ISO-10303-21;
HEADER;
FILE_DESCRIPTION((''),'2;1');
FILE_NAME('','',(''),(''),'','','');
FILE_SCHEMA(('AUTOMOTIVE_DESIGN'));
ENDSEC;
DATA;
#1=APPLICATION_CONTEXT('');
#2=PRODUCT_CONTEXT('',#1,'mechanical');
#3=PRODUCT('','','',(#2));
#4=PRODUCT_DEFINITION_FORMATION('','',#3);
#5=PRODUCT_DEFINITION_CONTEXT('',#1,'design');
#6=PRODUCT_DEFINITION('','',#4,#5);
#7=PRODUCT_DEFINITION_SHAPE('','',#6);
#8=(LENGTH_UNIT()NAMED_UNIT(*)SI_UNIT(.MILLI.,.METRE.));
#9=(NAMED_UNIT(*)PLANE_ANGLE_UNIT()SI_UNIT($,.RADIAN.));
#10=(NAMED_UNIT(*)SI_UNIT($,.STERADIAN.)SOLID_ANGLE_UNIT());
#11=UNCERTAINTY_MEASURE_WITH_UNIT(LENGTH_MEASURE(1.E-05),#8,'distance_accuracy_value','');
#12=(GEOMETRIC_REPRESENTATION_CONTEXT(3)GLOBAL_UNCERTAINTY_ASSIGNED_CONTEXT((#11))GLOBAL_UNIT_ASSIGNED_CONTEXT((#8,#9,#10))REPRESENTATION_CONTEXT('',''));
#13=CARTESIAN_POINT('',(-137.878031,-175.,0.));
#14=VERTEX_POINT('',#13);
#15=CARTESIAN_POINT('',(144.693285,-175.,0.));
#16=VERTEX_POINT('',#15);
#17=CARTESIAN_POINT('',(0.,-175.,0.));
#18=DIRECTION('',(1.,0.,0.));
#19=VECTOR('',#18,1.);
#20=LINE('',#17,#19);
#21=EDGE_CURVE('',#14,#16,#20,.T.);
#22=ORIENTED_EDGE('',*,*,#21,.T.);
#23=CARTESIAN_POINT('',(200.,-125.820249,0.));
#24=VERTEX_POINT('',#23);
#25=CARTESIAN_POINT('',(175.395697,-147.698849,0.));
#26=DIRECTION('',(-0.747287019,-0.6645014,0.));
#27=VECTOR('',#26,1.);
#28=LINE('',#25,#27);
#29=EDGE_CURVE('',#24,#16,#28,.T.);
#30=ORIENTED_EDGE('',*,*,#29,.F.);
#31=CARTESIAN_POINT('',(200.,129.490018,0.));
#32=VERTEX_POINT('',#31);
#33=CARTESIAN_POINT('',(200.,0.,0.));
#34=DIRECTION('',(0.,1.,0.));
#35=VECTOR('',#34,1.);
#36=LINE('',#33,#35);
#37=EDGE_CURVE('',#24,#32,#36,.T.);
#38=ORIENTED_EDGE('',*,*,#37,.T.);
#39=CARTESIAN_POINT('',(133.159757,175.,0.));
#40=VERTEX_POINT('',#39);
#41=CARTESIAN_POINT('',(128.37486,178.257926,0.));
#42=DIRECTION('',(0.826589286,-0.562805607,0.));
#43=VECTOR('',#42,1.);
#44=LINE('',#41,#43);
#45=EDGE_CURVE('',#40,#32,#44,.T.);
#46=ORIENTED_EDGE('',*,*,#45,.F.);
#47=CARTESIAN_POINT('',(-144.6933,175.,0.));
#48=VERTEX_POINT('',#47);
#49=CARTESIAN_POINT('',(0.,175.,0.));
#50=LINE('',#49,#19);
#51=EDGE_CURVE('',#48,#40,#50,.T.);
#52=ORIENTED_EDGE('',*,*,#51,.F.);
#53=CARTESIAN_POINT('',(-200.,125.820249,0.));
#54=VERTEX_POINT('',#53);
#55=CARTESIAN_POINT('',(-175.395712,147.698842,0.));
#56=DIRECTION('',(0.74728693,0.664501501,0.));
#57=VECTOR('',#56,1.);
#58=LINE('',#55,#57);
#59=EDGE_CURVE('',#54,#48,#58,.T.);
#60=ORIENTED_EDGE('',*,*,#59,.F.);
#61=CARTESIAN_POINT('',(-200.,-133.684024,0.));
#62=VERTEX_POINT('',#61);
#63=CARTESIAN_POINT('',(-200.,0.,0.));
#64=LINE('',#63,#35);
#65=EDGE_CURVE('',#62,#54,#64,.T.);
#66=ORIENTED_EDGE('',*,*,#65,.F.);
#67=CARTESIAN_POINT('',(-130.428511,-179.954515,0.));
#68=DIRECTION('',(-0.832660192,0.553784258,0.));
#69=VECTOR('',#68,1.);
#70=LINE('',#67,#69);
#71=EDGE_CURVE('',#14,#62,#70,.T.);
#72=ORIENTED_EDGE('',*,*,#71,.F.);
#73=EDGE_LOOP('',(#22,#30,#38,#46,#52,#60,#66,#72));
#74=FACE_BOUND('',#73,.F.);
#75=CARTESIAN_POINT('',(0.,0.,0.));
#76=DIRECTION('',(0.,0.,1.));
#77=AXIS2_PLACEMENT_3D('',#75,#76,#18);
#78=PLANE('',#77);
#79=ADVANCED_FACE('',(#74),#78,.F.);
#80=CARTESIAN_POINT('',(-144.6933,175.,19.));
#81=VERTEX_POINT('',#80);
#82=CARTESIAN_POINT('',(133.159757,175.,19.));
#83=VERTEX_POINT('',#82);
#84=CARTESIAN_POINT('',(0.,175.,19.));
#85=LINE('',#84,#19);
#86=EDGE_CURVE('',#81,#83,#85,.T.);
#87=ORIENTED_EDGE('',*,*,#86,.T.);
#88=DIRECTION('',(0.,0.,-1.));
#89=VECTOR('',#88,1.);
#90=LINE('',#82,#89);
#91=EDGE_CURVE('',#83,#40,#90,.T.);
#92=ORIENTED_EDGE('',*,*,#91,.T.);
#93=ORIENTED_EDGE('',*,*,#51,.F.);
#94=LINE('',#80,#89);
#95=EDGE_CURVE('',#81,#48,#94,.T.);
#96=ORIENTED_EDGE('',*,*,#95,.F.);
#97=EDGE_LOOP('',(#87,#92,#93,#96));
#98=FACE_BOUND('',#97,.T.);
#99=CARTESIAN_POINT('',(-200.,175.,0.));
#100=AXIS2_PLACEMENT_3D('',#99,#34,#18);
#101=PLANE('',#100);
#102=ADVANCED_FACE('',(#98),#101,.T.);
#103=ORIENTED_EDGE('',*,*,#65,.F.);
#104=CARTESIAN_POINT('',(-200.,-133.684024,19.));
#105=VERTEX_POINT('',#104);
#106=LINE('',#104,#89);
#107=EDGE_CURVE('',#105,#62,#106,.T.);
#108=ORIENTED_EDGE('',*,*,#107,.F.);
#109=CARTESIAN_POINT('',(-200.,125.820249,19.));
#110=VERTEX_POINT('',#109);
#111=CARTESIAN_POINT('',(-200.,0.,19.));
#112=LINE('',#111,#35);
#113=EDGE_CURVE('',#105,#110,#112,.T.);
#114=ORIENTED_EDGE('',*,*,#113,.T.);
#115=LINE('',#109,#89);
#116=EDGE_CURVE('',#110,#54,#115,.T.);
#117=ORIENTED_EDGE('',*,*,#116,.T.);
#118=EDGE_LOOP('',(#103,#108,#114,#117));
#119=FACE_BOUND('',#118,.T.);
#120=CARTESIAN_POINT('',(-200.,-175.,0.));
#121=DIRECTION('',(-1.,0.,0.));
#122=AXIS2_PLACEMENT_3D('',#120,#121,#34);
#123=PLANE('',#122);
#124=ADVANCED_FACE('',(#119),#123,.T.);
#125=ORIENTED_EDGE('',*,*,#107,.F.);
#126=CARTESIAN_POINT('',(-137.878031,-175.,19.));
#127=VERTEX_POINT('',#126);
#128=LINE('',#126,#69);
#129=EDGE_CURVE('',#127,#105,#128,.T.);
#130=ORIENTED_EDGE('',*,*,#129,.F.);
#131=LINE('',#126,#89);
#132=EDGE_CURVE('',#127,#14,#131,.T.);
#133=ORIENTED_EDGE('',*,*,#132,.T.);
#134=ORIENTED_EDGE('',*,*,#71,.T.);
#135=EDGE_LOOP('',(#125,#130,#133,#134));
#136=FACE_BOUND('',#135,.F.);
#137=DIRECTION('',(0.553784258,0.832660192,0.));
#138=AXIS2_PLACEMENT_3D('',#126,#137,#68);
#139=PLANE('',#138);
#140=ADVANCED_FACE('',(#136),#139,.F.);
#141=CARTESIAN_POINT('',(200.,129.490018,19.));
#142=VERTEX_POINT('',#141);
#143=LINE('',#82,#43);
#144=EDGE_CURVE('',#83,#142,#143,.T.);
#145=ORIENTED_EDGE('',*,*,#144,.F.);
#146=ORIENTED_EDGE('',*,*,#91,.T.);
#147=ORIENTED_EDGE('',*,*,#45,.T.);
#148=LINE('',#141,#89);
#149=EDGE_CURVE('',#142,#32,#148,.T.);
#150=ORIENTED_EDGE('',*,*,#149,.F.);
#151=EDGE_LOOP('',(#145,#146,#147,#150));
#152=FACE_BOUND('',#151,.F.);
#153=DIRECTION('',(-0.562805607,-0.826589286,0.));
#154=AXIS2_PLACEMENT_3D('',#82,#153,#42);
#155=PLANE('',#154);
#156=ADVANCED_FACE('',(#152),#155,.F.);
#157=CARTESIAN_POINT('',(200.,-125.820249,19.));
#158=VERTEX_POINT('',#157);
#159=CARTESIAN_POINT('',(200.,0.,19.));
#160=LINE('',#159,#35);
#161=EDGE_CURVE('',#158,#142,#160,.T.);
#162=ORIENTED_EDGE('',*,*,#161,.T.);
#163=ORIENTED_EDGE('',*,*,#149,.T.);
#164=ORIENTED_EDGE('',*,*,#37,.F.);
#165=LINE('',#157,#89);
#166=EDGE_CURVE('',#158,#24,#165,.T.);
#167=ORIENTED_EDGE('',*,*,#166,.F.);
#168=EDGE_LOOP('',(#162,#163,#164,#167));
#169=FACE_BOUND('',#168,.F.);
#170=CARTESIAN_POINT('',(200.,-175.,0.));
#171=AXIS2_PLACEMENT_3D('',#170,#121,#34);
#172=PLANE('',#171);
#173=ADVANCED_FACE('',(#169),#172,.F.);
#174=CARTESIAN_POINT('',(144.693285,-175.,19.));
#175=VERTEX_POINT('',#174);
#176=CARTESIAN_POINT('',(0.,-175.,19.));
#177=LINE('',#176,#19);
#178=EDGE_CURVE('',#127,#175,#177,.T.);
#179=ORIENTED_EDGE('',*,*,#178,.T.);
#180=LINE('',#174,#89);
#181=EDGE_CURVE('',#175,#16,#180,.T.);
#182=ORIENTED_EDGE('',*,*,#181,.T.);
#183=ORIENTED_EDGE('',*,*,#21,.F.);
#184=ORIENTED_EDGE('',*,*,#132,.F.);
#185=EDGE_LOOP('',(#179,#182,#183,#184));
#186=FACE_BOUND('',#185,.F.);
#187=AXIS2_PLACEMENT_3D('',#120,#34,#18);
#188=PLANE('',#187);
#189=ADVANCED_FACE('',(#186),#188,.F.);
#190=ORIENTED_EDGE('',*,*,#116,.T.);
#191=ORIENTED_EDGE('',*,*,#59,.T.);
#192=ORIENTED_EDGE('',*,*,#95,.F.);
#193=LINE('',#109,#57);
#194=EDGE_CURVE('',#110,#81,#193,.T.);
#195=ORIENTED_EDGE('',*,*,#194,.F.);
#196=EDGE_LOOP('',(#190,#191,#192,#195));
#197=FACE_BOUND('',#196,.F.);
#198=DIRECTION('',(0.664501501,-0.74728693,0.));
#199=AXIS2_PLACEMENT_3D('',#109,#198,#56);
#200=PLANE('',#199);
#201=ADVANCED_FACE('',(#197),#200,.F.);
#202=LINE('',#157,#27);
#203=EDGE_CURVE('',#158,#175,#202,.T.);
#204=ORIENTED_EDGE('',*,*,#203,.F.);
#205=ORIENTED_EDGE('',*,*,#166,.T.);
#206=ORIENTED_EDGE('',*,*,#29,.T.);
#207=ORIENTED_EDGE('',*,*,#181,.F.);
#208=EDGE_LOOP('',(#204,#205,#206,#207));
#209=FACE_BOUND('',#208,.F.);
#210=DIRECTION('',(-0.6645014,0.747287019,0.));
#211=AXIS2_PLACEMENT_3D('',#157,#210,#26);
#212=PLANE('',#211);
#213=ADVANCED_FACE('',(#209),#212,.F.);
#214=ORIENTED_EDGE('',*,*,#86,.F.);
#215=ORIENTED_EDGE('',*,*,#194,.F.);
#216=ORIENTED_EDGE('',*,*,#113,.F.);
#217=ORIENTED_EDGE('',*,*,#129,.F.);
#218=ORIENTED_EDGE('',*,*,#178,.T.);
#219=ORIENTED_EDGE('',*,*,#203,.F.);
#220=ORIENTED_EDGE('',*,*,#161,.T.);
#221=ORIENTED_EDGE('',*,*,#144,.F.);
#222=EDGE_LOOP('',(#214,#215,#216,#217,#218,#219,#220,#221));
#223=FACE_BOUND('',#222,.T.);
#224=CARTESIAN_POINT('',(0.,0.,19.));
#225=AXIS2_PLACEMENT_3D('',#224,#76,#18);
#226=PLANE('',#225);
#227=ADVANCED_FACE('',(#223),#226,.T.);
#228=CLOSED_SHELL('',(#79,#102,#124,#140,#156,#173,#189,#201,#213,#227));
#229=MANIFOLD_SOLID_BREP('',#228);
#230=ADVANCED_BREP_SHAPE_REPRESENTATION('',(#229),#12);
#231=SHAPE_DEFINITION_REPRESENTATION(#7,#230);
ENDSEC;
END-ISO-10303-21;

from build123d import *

# Parameters (mm, degrees)
F0_W     = 400
F0_H     = 350
F1_DEPTH = 19
F3_DEPTH = 19.001


with BuildPart() as f1:
    # F0 (on Top) → F1 (new body)
    with BuildSketch(Plane.XY):
        Rectangle(F0_W, F0_H)
    extrude(amount=F1_DEPTH)

    # F2 (on face) → F3 (cut, through all)
    with BuildSketch(Plane.XY.offset(19)):
        Polygon((-200, 175), (-200, 125.820249), (-144.6933, 175), align=None)
        Polygon((200, -125.820249), (144.693285, -175), (200, -175), align=None)
        Polygon((-137.878031, -175), (-200, -133.684024), (-200, -175), align=None)
        Polygon((200, 175), (133.159757, 175), (200, 129.490018), align=None)
    extrude(amount=-F3_DEPTH, mode=Mode.SUBTRACT)


solid = f1.part
